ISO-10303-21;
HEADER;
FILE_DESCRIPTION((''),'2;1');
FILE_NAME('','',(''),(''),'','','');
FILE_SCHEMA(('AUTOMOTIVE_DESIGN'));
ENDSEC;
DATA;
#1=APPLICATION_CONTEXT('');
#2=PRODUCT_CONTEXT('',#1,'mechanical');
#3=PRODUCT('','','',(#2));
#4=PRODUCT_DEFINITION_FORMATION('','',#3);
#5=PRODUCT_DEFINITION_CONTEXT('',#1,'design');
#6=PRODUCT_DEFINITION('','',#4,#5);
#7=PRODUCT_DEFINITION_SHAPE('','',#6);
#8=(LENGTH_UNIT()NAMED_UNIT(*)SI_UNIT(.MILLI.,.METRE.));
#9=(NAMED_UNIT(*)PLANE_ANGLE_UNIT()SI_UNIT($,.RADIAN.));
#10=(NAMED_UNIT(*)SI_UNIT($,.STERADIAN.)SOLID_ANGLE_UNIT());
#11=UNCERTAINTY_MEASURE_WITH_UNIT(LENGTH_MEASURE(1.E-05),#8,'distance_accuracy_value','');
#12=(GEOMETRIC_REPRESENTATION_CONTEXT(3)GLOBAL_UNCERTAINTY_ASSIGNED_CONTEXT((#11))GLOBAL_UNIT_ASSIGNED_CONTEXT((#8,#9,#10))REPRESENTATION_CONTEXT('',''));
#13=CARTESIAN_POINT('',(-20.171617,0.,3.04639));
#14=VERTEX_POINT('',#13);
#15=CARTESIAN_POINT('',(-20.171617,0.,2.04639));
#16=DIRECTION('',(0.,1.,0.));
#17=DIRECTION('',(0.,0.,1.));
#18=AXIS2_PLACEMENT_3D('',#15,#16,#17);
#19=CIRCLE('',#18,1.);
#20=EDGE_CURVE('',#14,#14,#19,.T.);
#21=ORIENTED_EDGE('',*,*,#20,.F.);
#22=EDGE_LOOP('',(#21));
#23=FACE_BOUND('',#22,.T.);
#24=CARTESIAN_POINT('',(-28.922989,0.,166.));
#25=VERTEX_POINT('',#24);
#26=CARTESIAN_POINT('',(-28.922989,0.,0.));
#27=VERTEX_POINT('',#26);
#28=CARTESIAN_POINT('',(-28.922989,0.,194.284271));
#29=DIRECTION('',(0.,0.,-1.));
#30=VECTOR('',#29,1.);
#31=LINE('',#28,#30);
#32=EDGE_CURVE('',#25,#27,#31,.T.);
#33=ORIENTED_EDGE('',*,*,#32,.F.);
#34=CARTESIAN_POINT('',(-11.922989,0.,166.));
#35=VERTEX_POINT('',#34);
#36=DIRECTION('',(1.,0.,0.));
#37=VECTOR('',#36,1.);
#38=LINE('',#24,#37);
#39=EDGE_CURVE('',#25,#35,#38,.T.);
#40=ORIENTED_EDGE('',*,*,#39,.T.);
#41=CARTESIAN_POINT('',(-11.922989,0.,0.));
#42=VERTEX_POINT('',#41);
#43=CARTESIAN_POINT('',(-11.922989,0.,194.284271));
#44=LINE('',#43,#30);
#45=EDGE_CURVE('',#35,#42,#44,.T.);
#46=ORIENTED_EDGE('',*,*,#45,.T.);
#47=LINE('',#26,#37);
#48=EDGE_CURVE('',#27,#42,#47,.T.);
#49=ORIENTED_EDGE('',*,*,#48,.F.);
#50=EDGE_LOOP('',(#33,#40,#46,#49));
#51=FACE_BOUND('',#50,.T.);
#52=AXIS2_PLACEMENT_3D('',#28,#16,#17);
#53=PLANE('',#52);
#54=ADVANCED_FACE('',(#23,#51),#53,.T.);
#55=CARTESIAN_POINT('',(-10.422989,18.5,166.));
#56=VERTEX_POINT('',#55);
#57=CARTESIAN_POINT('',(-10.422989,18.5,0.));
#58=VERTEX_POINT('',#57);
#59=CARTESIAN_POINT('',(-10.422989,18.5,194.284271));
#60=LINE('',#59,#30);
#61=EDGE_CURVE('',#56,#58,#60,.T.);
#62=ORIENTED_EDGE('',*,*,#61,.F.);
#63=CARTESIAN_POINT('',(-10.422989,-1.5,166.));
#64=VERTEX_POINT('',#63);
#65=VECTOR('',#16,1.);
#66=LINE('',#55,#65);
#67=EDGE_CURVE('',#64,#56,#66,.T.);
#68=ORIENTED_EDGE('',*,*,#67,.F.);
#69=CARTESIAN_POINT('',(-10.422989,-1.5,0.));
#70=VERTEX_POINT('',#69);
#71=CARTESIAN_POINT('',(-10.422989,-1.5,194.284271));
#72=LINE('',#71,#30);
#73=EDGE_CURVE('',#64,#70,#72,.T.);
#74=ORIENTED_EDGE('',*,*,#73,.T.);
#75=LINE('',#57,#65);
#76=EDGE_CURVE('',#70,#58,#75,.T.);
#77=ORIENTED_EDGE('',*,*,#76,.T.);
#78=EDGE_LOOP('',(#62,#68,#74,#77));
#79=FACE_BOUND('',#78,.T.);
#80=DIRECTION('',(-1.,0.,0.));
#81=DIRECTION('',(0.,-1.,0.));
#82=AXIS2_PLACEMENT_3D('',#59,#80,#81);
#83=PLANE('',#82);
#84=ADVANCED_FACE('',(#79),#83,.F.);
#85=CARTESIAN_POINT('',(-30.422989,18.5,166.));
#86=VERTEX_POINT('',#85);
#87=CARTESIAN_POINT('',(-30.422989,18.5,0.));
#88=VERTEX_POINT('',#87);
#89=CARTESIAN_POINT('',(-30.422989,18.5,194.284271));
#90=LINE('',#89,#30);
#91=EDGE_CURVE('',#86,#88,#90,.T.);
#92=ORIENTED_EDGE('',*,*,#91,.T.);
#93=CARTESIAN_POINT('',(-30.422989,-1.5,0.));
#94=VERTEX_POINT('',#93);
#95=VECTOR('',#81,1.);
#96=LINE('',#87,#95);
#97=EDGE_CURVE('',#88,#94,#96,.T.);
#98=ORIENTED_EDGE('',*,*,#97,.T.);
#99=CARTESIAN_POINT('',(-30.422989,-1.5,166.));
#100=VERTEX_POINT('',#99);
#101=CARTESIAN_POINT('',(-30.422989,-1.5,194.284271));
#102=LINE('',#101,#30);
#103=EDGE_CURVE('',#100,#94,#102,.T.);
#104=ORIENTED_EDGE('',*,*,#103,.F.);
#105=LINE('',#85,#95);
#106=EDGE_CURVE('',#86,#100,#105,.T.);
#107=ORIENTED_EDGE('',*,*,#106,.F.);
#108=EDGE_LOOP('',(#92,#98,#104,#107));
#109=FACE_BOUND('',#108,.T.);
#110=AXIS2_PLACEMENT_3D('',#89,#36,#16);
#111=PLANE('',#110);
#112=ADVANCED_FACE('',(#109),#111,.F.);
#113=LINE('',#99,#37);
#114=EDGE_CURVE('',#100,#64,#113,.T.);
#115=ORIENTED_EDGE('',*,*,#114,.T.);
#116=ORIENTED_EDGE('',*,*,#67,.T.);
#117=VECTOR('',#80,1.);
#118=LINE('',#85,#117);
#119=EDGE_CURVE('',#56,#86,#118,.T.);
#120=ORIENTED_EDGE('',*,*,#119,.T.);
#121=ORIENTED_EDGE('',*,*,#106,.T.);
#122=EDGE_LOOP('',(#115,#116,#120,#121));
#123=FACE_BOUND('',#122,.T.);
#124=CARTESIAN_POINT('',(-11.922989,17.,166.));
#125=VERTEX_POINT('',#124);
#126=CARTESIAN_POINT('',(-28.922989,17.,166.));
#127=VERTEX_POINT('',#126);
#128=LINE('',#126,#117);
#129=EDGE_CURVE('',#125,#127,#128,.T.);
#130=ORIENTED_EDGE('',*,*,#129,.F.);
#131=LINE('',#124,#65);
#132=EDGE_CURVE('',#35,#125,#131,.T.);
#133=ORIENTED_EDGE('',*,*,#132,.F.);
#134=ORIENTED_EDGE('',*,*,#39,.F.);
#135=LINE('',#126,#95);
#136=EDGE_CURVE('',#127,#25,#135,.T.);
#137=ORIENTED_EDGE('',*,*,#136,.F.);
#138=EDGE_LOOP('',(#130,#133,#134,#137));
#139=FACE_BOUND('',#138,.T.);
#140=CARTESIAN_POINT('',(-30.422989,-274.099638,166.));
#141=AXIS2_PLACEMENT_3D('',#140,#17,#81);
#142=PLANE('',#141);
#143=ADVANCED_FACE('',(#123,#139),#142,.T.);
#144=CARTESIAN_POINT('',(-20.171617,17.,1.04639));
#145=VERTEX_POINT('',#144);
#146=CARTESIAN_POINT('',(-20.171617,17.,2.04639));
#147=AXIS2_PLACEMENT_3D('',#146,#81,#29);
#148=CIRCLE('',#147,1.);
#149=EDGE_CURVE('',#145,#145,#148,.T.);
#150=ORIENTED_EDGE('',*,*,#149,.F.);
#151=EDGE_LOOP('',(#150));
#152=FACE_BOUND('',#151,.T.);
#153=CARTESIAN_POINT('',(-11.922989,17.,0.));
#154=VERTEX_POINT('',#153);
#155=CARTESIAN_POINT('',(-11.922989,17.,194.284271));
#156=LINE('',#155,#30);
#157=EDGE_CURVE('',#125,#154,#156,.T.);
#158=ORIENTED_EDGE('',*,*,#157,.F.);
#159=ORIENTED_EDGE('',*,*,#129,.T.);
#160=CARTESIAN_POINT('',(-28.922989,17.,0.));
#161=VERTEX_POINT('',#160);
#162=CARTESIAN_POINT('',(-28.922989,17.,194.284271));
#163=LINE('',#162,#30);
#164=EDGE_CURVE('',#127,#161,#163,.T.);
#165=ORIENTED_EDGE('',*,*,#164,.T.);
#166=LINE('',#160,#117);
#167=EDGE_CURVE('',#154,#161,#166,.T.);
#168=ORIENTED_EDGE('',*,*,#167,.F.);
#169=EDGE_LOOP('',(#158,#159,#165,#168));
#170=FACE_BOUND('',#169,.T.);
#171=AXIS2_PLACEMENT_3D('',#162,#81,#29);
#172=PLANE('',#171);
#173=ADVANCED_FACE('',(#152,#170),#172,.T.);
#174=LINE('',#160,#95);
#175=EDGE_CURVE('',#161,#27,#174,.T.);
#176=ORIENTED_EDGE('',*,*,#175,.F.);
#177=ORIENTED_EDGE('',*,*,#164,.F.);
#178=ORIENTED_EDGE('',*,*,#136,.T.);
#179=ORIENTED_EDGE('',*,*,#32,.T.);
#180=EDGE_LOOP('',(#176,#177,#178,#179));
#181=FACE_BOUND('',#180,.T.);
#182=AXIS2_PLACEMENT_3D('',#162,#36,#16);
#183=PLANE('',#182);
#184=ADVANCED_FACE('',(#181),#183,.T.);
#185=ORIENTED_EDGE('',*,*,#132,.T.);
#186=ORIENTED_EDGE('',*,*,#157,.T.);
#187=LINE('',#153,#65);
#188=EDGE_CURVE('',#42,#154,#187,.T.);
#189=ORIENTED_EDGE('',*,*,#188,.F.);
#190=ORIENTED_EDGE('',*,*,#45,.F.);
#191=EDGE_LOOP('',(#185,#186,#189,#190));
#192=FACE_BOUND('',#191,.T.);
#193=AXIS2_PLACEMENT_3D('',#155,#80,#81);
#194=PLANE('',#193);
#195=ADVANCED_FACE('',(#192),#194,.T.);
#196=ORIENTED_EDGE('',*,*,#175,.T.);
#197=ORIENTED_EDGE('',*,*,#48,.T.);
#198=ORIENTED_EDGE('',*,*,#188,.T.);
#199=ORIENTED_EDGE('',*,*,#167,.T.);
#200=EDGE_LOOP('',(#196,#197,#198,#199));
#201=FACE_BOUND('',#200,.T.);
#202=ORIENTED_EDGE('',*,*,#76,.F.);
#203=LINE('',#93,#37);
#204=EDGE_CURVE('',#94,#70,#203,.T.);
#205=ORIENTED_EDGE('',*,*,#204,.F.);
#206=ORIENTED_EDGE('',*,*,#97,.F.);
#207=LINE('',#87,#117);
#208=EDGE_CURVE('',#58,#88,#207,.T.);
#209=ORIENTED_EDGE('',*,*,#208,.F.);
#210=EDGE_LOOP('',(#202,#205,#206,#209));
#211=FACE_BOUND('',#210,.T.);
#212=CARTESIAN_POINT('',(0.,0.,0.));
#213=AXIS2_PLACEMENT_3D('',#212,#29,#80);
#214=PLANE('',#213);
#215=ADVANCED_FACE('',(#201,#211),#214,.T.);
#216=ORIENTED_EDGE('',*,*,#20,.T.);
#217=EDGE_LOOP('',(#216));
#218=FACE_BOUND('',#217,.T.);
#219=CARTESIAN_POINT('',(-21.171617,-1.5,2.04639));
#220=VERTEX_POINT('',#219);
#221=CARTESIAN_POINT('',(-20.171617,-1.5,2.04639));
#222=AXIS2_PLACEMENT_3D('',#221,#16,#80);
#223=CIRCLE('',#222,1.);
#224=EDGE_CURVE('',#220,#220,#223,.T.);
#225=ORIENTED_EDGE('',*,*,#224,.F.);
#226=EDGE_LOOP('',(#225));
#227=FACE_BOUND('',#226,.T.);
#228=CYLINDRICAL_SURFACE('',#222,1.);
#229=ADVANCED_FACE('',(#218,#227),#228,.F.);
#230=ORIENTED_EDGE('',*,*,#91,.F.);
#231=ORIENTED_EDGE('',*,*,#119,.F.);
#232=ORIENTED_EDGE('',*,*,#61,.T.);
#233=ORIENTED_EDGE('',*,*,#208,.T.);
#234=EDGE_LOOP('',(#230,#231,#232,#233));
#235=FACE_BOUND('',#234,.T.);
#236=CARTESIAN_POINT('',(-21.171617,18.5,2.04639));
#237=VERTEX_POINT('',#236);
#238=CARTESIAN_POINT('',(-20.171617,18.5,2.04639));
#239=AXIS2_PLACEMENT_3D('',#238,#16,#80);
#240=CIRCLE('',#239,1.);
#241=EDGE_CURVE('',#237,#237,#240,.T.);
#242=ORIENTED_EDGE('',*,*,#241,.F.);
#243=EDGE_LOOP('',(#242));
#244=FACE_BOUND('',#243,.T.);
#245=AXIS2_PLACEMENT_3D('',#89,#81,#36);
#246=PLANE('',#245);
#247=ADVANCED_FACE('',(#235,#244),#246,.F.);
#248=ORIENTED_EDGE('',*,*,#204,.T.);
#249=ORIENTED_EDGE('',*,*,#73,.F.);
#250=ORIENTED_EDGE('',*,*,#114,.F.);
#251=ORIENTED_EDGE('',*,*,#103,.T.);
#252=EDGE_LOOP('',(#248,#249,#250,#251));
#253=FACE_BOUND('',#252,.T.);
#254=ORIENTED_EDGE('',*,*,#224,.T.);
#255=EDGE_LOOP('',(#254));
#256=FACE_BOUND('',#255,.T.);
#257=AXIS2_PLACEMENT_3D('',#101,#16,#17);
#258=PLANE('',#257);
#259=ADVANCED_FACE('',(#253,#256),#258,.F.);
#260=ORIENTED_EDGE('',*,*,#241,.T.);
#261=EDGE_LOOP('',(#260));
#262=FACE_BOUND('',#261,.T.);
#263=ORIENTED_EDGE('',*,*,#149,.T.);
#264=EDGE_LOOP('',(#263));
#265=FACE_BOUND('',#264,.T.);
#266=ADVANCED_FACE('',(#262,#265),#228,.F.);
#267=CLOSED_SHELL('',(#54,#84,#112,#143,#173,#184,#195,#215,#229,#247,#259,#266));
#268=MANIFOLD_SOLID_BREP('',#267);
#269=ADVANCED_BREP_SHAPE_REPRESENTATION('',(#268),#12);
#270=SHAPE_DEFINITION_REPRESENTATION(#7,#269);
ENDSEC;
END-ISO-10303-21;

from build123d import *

# Parameters (mm, degrees)
SZKIC1_W                    = 20
SZKIC1_H                    = 20
SZKIC1_W_2                  = 17
SZKIC1_H_2                  = 17
DODANIE_WYCI_GNI_CIE1_DEPTH = 166
SZKIC3_R                    = 1
WYTNIJ_WYCI_GNI_CIE1_DEPTH  = 170.945750908


with BuildPart() as part:
    # Szkic1 → Dodanie-wyciągnięcie1 (new body)
    with BuildSketch(Plane.XY):
        with Locations((-20.422988866, 8.5)):
            Rectangle(SZKIC1_W, SZKIC1_H)
        with Locations((-20.422988866, 8.5)):
            Rectangle(SZKIC1_W_2, SZKIC1_H_2, mode=Mode.SUBTRACT)
    extrude(amount=DODANIE_WYCI_GNI_CIE1_DEPTH)

    # Szkic3 → Wytnij-wyciągnięcie1 (cut, through all)
    with BuildSketch(Plane(origin=(0, 18.5, 0), x_dir=(1, 0, 0), z_dir=(0, 1, 0))):
        with Locations(Location((-20.171616984, -2.046389983, 0), (0, 0, 180))):
            Circle(SZKIC3_R)
    extrude(amount=-WYTNIJ_WYCI_GNI_CIE1_DEPTH, mode=Mode.SUBTRACT)


solid = part.part
